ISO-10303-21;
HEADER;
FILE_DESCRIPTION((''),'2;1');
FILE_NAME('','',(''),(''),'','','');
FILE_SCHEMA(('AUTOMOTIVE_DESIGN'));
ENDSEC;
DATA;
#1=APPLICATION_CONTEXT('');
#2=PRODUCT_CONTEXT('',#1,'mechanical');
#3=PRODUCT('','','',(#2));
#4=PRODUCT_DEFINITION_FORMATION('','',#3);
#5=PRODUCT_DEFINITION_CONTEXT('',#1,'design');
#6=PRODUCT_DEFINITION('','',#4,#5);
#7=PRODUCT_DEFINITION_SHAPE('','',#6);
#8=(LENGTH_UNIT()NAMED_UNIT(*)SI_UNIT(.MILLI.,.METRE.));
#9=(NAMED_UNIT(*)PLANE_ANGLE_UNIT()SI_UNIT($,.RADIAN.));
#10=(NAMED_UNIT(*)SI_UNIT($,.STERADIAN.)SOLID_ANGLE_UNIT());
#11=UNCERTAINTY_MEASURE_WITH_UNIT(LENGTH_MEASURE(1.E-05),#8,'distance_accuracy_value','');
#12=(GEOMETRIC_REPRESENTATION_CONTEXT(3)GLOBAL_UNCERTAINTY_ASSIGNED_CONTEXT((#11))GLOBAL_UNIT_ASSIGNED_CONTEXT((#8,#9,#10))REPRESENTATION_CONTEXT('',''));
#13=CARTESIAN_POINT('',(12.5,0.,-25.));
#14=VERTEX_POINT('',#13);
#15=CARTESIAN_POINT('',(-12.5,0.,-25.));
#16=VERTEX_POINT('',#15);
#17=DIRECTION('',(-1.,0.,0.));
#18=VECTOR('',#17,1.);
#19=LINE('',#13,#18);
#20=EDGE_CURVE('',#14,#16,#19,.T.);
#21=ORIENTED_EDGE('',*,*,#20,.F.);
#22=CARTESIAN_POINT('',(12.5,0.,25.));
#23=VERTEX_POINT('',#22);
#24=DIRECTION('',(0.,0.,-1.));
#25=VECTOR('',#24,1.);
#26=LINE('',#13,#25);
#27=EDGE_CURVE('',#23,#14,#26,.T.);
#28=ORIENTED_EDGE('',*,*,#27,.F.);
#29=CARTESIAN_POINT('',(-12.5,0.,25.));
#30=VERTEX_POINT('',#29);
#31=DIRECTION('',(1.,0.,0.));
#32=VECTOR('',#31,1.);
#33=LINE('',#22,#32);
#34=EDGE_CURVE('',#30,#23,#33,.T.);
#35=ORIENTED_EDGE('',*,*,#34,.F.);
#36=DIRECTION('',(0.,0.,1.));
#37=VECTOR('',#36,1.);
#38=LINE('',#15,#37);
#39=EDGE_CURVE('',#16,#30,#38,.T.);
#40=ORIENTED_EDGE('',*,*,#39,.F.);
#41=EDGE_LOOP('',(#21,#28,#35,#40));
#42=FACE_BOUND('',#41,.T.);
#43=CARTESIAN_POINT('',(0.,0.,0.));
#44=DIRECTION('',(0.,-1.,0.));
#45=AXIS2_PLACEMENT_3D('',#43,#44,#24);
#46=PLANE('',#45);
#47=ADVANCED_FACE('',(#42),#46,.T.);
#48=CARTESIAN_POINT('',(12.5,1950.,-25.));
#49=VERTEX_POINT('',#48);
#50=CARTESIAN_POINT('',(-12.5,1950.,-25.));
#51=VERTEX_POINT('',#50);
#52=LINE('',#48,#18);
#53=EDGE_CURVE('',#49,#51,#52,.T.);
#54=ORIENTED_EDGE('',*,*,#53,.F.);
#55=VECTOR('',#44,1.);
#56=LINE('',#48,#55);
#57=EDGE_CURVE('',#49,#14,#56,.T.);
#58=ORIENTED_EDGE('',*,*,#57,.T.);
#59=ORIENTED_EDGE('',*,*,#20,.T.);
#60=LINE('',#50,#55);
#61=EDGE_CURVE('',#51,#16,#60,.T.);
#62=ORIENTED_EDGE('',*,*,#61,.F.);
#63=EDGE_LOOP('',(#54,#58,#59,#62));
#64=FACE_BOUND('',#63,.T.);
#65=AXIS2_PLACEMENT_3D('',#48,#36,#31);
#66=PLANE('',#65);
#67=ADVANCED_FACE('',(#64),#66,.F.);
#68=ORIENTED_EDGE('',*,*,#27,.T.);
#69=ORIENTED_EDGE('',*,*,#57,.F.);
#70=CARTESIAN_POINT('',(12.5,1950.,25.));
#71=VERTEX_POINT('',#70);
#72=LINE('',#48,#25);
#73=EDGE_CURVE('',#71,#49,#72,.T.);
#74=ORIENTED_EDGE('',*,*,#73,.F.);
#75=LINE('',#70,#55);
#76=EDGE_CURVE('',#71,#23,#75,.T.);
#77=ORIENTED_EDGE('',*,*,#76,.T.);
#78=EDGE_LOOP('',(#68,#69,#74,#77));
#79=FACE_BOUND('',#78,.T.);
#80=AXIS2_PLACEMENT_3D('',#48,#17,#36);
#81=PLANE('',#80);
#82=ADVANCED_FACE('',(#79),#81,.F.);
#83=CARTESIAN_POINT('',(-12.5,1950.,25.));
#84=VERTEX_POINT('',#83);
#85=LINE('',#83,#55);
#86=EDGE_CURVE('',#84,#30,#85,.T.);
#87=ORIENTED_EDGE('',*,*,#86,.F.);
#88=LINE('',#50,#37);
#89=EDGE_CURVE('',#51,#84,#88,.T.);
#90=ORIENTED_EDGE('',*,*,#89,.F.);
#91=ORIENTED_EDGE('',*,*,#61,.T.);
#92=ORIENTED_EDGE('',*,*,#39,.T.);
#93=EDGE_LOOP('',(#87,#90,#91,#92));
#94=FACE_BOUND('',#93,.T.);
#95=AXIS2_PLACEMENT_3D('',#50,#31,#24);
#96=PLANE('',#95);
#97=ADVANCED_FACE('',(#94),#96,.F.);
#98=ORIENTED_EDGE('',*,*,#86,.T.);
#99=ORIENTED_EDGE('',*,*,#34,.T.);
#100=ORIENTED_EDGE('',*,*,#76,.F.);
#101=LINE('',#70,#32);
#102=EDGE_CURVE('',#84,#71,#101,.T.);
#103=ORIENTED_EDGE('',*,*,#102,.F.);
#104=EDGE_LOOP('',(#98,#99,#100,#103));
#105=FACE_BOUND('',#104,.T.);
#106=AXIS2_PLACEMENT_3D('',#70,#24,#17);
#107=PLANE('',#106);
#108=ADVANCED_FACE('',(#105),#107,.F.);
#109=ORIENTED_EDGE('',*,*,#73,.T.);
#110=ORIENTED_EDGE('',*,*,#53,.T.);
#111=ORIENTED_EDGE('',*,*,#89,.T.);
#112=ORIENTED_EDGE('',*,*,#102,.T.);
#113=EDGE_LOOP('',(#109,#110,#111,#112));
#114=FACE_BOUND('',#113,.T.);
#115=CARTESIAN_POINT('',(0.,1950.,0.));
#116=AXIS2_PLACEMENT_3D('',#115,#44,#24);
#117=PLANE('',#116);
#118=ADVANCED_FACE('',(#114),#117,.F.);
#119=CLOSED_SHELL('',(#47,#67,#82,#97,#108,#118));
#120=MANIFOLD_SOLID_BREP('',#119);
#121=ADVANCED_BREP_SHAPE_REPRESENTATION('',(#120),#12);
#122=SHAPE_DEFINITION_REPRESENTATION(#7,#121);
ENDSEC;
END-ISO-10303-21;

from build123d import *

# Parameters (mm, degrees)
SKETCH_1_W      = 25
SKETCH_1_H      = 50
EXTRUDE_1_DEPTH = 1950


with BuildPart() as part:
    # Эскиз1 → Бобышка-Вытянуть1 (new body)
    with BuildSketch(Plane(origin=(0, 0, 0), x_dir=(1, 0, 0), z_dir=(0, 1, 0))):
        Rectangle(SKETCH_1_W, SKETCH_1_H)
    extrude(amount=EXTRUDE_1_DEPTH)


solid = part.part
